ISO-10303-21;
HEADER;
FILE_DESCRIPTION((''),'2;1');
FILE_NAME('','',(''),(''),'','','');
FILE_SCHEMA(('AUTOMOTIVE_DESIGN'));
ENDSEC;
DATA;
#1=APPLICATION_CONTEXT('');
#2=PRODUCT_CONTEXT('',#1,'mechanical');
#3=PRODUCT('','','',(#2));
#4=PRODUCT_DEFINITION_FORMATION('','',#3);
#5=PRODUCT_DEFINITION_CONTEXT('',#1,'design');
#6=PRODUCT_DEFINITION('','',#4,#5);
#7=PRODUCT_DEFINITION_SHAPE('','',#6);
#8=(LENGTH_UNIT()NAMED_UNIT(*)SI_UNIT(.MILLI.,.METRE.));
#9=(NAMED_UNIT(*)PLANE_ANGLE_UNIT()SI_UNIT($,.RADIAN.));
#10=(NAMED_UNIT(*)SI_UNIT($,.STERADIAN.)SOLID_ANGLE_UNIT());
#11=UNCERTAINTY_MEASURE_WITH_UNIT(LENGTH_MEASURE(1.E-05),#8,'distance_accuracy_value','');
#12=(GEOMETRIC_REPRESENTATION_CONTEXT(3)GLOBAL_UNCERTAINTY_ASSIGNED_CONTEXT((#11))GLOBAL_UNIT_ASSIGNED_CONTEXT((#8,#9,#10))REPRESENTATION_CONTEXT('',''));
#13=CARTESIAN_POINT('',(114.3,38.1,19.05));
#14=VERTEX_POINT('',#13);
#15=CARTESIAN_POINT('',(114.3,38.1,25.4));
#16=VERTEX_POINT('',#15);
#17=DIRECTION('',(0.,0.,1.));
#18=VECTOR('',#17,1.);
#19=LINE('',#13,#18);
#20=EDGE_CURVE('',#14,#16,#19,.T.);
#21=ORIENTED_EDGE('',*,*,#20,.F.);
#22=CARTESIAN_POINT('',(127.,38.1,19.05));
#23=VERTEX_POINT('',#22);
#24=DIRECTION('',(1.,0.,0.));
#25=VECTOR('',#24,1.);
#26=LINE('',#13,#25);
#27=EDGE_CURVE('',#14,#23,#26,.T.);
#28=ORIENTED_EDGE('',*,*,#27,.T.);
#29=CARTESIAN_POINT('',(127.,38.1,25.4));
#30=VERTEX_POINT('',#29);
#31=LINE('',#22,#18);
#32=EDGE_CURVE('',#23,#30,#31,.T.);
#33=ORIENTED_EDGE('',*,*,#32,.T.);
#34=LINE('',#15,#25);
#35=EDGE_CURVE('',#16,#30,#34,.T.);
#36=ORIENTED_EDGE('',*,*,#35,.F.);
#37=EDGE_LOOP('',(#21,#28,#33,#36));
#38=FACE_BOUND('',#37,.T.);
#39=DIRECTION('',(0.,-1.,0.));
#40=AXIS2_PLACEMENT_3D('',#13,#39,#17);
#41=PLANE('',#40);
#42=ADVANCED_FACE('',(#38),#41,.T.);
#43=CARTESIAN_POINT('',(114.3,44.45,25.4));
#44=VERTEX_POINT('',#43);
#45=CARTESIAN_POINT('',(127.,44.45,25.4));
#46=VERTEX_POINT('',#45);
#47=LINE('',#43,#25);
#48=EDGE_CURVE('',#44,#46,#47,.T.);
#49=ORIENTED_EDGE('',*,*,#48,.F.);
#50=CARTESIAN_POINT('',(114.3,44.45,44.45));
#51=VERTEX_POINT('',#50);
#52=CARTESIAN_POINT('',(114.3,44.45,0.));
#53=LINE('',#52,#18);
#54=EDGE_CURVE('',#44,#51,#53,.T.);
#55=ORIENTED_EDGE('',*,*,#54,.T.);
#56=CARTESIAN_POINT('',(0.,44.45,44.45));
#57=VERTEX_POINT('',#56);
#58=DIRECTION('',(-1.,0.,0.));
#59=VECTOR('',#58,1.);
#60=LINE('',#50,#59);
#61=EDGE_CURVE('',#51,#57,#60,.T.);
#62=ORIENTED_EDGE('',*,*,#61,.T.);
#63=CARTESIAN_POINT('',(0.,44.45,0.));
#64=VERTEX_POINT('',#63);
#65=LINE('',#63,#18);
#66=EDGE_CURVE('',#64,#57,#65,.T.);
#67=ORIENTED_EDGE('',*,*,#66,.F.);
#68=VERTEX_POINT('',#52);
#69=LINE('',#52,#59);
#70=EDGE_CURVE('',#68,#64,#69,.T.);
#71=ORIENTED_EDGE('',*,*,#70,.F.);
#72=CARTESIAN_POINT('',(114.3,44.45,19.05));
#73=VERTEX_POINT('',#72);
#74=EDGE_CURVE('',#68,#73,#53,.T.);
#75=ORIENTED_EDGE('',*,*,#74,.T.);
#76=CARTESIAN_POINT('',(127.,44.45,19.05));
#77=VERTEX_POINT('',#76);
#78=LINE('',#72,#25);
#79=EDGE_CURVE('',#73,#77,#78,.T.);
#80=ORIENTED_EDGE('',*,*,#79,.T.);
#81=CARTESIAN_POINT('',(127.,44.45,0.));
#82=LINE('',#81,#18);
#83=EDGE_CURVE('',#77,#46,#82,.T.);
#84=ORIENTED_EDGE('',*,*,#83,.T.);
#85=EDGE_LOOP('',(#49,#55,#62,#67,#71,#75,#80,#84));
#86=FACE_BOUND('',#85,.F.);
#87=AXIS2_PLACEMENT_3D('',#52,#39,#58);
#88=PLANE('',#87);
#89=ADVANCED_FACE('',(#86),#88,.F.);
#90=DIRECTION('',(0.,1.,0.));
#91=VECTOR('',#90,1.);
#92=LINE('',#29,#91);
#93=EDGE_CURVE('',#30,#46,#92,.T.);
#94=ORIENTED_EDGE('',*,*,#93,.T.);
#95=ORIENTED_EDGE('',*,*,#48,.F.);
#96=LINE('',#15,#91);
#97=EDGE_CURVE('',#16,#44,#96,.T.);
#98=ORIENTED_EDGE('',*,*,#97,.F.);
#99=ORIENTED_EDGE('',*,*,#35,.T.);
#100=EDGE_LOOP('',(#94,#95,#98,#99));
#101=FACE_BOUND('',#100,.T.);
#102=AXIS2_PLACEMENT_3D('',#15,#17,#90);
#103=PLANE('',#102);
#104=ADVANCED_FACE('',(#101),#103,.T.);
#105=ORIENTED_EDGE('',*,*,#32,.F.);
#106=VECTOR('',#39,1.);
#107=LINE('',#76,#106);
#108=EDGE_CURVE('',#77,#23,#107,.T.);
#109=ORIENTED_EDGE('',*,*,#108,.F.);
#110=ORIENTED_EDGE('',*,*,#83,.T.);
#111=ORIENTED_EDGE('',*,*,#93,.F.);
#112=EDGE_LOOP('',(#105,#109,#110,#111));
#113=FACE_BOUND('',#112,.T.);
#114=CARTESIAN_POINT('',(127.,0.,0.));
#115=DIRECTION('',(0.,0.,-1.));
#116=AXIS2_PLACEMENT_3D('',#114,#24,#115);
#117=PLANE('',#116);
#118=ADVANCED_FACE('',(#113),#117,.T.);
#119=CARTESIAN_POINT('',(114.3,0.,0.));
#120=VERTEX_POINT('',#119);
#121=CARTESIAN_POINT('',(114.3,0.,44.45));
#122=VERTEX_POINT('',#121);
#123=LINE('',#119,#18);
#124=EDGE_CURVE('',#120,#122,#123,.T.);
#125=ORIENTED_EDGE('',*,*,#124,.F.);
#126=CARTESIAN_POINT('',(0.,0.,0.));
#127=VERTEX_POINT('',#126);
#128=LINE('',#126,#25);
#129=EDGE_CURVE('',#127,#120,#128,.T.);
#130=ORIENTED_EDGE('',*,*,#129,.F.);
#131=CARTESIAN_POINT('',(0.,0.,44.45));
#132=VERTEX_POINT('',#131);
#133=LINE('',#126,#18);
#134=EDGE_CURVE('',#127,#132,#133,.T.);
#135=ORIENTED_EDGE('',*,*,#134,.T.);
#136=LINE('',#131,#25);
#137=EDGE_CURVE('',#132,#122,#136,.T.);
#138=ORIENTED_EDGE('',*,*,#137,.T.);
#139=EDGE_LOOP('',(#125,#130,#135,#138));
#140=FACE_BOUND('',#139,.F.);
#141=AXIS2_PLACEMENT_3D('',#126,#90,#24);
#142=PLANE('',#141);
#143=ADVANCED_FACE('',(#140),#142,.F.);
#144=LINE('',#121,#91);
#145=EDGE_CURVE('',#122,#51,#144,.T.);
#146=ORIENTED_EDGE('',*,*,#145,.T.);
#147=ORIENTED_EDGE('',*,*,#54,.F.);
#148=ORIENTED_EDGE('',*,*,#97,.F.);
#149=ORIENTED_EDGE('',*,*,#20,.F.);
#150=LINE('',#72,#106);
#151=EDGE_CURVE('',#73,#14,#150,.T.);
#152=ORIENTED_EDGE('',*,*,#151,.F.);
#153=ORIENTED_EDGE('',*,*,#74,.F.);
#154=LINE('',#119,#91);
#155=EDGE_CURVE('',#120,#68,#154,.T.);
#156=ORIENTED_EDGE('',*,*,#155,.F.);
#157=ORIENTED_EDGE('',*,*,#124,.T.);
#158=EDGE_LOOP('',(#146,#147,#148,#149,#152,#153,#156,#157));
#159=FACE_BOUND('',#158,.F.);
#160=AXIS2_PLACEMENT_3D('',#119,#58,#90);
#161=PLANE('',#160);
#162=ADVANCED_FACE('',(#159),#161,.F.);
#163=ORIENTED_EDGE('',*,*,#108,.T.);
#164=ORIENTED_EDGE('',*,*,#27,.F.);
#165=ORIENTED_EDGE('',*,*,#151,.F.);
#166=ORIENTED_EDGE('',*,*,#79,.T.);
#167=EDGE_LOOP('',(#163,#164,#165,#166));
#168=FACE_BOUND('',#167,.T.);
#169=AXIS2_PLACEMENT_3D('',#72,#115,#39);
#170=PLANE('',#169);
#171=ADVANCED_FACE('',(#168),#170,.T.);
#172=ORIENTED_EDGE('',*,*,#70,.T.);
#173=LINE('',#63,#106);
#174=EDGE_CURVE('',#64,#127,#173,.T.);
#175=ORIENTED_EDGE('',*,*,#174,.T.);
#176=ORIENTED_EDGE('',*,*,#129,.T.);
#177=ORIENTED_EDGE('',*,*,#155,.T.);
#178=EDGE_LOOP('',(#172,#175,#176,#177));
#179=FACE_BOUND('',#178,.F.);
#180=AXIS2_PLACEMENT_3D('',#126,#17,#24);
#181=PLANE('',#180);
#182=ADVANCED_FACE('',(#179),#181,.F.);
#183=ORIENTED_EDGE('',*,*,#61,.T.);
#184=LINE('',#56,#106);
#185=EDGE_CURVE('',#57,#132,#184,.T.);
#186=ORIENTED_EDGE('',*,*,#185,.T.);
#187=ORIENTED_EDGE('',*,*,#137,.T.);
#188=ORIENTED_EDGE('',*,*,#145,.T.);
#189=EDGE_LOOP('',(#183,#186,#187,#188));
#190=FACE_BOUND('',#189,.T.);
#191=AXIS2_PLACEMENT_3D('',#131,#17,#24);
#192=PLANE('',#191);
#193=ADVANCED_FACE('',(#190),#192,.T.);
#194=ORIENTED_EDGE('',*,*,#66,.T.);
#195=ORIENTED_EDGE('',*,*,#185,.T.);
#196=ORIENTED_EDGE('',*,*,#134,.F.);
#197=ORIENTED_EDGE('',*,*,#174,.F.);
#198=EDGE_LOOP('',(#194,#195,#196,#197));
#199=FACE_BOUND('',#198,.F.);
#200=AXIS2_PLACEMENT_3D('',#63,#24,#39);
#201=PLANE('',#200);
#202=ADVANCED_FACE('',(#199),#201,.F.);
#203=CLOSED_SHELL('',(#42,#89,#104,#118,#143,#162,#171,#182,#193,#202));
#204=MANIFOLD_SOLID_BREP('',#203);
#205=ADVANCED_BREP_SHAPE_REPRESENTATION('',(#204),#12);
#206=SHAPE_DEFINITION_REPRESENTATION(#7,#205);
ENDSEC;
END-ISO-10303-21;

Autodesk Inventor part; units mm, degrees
ref_plane "YZ Plane" through (0, 0, 0) normal (1, 0, 0) x (0, 1, 0)
ref_plane "XZ Plane" through (0, 0, 0) normal (0, 1, 0) x (-1, 0, 0)
ref_plane "XY Plane" through (0, 0, 0) normal (0, 0, 1) x (1, 0, 0)
sketch "Sketch1" plane through (0, 0, 0) normal (0, 0, 1) x (1, 0, 0)
  line L0 (0, 0) -> (114.3, 0)
  line L1 (114.3, 0) -> (114.3, 44.45)
  line L2 (114.3, 44.45) -> (0, 44.45)
  line L3 (0, 44.45) -> (0, 0)
  dimension "d0" = 114.3
  dimension "d1" = 44.45
extrude "Extrusion1" add sketch "Sketch1" along normal blind 44.45
sketch "Sketch2" plane through (114.3, 0, 0) normal (1, 0, 0) x (0, 0, -1)
  line L0 (0, 44.45) -> (-44.45, 44.45) projected
  line L1 (-25.4, 44.45) -> (-19.05, 44.45)
  line L2 (-19.05, 44.45) -> (-19.05, 38.1)
  line L3 (-19.05, 38.1) -> (-25.4, 38.1)
  line L4 (-25.4, 38.1) -> (-25.4, 44.45)
  line L5 (-44.45, 0) -> (-44.45, 44.45) projected
  line L6 (0, 0) -> (0, 44.45) projected
  dimension "d4" = 19.05
  dimension "d5" = 19.05
  dimension "d6" = 6.35
  dimension "d7" = 6.35
extrude "Extrusion2" add sketch "Sketch2" along normal blind 12.7
properties part number "batery" material "Rubber"
